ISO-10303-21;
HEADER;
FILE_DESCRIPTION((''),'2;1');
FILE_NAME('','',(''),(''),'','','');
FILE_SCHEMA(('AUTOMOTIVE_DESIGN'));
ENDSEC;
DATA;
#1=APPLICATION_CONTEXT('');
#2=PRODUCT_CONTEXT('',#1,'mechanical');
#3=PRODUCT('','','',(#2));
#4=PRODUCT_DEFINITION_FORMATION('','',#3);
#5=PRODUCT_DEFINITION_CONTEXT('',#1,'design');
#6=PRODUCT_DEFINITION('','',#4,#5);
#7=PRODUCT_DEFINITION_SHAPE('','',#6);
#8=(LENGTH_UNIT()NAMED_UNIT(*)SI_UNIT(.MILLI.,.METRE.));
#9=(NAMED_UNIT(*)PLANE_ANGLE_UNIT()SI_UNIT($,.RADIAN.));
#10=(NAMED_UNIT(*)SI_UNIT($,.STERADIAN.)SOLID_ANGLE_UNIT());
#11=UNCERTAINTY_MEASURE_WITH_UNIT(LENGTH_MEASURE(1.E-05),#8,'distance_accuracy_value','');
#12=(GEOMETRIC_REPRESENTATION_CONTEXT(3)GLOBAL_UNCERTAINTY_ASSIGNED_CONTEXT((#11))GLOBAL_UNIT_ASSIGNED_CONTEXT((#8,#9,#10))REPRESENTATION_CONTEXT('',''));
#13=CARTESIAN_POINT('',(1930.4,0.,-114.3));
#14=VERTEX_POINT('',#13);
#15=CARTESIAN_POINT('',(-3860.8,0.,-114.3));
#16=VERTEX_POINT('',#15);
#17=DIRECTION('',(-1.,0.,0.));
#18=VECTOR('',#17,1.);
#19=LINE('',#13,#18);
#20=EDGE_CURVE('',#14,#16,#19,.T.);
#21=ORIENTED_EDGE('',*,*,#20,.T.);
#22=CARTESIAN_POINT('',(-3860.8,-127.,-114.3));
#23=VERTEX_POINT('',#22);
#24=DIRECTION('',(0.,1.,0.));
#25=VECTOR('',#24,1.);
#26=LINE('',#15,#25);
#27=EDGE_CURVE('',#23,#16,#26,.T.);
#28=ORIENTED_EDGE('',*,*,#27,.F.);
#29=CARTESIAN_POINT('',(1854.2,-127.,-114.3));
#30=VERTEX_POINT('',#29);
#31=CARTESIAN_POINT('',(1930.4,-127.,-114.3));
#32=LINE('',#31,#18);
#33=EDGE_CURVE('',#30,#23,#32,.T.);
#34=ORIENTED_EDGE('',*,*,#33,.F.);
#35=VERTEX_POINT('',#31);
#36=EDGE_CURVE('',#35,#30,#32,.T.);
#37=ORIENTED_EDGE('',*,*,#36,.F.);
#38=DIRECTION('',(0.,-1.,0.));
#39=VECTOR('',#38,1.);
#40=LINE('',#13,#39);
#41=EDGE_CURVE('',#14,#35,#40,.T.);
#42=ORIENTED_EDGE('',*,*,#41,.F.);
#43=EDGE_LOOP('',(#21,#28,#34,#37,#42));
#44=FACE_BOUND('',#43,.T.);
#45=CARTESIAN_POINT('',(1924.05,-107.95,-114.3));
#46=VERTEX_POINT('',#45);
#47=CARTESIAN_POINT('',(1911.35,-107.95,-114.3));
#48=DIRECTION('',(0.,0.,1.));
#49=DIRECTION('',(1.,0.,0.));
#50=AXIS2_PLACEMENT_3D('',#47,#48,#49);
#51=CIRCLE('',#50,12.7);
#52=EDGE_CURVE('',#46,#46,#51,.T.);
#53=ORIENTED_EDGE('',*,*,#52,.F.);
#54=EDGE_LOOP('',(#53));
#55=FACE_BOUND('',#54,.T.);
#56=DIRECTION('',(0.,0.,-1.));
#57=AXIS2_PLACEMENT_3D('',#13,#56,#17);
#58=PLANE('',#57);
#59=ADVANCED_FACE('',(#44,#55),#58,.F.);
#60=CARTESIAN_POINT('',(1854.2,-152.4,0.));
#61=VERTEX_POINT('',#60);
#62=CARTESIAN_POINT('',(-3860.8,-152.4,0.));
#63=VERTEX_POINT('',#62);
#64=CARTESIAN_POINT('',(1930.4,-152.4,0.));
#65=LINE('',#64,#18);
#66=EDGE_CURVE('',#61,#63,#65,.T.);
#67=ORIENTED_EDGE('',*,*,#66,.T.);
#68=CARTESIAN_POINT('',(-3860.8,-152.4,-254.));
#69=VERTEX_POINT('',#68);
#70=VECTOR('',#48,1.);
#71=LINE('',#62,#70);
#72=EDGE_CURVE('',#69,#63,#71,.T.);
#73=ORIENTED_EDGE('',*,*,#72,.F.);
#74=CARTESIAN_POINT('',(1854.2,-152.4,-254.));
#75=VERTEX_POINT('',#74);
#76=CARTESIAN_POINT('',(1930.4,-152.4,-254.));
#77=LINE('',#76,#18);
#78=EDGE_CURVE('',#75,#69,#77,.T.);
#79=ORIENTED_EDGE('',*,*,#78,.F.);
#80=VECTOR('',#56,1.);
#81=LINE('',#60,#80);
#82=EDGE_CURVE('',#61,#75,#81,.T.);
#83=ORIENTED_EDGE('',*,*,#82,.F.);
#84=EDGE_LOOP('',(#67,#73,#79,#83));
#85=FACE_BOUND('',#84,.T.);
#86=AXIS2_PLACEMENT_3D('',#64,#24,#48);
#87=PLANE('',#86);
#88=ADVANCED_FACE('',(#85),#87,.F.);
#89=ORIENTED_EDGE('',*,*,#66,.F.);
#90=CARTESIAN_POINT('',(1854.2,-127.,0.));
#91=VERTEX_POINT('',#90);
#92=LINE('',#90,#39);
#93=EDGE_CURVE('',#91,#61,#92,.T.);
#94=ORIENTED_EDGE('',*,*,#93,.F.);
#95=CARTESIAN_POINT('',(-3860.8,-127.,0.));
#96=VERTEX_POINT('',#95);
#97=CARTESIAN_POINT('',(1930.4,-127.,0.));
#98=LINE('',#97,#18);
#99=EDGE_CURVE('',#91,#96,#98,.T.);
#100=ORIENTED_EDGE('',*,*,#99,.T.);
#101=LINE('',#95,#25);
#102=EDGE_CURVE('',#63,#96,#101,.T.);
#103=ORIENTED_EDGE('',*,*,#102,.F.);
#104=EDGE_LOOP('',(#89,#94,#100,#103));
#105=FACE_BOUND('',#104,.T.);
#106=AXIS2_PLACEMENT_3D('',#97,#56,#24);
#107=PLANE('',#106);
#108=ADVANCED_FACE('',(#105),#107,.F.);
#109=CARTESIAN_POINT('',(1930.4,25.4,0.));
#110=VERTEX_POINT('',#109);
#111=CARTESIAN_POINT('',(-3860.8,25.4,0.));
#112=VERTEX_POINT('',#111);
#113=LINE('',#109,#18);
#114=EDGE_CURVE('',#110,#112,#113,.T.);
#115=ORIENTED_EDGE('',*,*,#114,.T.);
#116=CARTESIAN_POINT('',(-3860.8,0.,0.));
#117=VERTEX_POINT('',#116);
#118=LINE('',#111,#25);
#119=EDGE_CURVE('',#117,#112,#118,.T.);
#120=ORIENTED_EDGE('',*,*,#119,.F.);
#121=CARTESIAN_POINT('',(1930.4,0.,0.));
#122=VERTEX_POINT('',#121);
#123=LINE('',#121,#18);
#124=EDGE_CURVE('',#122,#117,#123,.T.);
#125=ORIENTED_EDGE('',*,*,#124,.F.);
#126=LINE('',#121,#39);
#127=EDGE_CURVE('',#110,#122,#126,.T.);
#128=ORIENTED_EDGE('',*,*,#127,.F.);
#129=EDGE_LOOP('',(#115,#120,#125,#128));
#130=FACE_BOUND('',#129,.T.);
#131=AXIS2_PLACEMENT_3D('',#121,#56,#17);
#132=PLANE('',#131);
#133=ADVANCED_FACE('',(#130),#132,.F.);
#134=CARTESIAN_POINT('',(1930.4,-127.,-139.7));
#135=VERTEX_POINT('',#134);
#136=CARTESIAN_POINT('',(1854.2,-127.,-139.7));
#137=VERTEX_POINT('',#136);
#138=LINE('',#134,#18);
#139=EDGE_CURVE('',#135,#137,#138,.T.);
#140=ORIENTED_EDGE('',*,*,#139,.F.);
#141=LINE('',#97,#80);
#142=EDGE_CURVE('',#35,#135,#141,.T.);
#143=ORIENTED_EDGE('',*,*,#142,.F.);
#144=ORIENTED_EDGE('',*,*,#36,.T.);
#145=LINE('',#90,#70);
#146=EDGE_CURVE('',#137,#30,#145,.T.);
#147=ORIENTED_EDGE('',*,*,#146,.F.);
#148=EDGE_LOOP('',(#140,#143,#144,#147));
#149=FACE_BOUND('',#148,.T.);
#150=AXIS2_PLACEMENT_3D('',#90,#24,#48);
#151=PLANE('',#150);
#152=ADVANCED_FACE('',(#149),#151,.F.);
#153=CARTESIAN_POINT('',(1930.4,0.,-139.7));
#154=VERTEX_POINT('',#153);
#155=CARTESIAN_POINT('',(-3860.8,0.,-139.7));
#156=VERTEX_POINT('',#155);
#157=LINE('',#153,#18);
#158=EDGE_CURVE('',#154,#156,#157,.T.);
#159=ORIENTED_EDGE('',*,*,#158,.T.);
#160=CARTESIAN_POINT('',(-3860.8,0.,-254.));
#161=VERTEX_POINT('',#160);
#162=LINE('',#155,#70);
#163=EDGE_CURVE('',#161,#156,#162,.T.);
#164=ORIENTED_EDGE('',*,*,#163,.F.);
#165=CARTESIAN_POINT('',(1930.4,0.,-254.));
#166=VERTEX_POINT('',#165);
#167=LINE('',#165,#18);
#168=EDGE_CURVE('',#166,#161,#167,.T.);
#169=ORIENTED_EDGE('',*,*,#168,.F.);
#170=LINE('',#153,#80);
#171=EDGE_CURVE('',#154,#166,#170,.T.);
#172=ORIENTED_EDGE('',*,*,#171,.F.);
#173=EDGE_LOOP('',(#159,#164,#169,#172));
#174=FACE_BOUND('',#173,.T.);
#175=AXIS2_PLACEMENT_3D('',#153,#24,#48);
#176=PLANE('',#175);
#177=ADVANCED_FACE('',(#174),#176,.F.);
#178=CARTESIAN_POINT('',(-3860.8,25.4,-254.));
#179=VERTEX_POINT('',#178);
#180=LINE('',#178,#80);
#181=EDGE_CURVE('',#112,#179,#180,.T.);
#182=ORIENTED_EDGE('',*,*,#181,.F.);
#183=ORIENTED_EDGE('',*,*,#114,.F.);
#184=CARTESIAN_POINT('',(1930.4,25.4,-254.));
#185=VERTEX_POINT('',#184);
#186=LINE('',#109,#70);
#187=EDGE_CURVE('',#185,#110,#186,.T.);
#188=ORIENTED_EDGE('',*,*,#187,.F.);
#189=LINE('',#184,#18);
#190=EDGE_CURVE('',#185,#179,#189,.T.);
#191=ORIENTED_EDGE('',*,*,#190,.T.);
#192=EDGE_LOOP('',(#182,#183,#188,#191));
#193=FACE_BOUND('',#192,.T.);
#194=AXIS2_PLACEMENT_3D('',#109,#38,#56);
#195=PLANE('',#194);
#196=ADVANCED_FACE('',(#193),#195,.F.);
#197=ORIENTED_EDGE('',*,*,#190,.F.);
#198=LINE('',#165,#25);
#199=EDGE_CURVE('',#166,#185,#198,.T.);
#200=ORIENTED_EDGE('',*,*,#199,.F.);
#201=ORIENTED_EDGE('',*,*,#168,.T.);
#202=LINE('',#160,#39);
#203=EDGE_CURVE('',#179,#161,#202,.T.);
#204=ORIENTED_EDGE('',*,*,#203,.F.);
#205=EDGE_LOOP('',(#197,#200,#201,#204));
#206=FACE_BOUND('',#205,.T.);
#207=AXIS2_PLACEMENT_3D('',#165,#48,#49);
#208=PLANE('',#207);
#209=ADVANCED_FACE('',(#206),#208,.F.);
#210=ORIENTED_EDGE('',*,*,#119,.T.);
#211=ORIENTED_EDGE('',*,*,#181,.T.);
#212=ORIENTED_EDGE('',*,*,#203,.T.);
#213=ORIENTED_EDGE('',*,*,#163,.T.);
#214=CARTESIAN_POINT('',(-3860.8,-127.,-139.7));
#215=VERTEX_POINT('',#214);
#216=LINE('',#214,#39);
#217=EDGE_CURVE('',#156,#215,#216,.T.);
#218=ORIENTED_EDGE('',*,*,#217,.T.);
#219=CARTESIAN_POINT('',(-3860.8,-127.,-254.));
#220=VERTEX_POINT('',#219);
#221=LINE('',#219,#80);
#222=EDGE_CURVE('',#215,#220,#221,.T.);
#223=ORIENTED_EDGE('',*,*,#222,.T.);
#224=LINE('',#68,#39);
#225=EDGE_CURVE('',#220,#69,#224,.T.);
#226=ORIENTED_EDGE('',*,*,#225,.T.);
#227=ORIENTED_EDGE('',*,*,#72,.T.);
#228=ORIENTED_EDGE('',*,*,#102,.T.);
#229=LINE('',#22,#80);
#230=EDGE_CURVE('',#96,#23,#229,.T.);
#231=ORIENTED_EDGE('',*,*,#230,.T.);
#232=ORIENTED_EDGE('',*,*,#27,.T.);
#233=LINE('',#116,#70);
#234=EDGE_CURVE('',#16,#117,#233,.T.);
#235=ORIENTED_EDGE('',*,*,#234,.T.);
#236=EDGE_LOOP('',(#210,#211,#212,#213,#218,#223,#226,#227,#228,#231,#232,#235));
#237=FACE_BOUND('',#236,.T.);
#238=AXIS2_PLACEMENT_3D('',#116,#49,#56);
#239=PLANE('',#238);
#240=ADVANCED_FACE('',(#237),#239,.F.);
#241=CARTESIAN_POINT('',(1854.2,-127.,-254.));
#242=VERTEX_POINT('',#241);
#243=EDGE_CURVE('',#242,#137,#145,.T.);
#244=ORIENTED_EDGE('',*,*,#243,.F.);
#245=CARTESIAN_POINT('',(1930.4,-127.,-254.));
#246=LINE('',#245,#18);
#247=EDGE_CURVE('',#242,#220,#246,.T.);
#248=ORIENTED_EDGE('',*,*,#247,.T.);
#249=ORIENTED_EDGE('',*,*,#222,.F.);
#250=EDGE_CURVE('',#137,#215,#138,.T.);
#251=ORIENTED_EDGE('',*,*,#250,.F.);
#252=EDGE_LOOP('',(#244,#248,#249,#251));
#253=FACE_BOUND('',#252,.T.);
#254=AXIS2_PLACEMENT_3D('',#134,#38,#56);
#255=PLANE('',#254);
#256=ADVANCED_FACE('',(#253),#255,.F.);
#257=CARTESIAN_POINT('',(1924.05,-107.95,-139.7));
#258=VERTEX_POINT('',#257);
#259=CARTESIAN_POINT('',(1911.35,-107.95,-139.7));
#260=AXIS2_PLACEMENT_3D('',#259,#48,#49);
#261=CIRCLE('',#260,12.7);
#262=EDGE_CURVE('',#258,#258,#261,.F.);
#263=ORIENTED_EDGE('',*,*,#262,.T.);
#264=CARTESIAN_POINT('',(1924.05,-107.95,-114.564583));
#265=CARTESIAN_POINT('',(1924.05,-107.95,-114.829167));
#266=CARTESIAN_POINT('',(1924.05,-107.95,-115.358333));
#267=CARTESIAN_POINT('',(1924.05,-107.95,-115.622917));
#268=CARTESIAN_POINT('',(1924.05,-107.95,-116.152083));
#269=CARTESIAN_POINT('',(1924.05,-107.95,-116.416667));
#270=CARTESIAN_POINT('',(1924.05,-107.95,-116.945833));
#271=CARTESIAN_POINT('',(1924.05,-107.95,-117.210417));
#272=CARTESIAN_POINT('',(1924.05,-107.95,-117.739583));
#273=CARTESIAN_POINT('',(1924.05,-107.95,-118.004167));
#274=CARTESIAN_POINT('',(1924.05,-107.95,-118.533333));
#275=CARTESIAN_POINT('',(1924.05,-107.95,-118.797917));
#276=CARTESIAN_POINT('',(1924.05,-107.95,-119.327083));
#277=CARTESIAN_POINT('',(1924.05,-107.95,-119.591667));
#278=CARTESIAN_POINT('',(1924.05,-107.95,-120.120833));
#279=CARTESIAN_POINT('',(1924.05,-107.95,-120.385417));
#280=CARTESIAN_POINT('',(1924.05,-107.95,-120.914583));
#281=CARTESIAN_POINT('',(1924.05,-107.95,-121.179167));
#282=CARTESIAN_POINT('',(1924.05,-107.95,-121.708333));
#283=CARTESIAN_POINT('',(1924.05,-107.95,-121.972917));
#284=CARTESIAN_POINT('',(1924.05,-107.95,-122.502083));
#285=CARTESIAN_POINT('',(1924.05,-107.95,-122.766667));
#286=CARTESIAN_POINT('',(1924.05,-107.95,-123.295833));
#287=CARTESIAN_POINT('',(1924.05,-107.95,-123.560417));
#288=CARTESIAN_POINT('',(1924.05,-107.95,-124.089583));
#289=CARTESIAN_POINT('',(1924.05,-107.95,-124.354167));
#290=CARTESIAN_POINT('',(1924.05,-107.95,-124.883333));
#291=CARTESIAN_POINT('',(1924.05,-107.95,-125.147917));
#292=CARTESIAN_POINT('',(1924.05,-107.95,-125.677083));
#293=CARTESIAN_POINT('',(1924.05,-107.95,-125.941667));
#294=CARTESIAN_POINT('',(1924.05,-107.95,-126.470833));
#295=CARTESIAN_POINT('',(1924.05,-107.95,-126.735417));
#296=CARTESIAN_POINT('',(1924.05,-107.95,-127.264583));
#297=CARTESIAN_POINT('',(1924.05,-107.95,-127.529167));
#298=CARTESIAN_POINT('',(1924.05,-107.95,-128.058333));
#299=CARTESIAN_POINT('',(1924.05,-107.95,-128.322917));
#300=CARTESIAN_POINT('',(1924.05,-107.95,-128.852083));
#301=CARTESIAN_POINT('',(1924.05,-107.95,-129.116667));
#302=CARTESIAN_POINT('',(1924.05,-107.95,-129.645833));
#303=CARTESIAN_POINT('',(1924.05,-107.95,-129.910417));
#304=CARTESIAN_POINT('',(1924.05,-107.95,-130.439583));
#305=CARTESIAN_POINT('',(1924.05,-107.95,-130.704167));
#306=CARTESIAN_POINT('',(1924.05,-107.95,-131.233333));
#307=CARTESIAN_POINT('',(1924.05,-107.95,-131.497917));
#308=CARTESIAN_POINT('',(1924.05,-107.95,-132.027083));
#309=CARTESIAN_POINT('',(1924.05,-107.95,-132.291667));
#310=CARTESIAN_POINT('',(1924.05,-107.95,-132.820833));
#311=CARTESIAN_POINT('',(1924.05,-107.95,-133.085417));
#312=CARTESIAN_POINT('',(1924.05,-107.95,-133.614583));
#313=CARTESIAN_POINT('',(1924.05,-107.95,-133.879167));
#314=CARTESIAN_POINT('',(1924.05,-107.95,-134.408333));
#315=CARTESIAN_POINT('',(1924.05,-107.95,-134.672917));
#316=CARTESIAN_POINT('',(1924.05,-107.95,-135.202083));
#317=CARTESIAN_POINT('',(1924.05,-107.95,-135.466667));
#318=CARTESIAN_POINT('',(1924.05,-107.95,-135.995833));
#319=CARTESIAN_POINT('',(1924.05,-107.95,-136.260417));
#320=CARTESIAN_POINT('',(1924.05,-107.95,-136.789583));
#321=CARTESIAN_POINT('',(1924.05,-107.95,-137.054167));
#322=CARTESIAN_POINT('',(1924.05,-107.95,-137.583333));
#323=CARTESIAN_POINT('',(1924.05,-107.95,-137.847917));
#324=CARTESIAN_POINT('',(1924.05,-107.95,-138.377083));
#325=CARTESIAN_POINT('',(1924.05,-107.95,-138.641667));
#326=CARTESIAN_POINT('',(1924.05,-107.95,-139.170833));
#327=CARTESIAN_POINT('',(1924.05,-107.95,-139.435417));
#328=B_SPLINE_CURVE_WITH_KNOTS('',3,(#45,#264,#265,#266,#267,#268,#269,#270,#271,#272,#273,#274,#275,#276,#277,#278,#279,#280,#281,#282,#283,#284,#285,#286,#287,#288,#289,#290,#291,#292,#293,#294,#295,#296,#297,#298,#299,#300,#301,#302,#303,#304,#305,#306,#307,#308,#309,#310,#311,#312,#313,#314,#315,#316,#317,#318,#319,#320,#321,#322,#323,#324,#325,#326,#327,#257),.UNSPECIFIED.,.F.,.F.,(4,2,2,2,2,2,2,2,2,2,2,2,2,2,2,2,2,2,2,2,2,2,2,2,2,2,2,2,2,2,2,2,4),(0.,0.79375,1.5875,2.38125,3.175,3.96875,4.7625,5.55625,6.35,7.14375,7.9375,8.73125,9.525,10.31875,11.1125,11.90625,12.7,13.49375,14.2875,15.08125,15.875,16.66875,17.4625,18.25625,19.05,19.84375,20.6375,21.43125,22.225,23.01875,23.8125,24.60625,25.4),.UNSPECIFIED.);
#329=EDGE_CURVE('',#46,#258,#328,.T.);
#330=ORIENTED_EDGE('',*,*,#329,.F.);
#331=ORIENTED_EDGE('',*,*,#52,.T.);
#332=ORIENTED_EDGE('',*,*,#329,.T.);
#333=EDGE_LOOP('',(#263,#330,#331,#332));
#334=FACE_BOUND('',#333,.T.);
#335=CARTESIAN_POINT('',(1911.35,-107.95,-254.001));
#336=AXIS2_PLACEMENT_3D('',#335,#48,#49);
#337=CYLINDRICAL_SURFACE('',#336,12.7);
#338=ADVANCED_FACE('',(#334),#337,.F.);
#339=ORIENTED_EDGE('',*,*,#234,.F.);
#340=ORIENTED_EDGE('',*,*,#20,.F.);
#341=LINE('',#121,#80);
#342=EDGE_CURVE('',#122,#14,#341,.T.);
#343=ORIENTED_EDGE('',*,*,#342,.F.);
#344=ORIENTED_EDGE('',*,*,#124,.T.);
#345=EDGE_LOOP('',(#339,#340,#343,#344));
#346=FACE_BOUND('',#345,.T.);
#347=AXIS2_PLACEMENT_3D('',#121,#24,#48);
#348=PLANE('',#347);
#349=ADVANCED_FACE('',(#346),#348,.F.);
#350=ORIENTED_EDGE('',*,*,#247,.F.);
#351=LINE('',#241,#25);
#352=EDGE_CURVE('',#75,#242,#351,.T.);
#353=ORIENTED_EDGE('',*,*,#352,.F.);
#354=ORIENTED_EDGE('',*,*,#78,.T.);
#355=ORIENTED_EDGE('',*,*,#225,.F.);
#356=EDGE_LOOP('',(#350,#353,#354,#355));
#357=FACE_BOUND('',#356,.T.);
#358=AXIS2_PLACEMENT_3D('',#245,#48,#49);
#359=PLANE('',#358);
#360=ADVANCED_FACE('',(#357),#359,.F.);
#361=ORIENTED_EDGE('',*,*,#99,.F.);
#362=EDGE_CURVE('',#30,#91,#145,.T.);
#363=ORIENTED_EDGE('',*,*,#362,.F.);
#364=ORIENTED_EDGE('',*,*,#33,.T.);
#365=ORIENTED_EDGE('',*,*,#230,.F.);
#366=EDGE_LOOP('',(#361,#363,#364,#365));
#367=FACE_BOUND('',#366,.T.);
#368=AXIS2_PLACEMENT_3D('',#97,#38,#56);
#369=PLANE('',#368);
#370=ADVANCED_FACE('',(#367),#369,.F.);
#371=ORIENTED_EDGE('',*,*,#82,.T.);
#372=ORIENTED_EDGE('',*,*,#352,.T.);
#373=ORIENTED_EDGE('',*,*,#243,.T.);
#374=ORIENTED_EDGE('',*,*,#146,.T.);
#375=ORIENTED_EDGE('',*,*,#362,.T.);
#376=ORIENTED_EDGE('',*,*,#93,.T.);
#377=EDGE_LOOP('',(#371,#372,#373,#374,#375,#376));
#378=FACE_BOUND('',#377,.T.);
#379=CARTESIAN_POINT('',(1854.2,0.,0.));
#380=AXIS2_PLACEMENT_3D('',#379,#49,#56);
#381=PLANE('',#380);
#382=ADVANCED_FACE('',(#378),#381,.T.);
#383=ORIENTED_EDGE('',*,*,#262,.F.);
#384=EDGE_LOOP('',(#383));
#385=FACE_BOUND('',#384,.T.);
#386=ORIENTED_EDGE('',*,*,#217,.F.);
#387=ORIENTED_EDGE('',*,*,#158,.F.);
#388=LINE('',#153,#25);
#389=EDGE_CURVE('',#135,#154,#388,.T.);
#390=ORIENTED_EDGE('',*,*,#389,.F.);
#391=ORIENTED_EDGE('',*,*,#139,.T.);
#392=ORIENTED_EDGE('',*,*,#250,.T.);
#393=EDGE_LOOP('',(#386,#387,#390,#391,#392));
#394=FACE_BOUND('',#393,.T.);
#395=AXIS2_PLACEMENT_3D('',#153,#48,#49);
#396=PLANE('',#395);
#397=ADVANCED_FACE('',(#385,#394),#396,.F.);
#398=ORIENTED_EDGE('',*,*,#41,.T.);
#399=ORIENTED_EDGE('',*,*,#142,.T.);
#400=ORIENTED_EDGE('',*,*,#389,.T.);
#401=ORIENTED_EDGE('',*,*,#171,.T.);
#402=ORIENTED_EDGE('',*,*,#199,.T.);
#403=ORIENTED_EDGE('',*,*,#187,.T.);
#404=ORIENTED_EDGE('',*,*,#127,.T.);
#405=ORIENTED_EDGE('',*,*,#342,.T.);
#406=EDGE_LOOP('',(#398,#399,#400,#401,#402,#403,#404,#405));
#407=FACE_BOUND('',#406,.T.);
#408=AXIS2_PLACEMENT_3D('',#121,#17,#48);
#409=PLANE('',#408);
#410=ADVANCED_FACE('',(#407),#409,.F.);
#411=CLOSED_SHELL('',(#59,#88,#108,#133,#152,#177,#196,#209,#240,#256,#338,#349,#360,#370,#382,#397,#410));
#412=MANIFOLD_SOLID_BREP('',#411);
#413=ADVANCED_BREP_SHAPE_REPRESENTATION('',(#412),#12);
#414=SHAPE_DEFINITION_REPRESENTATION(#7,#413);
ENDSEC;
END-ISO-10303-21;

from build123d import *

# Parameters (mm, degrees)
BOSS_EXTRUDE1_DEPTH = 1930.4
CUT_EXTRUDE1_REACH  = 1943.439
SKETCH2_R           = 12.7
SKETCH3_W           = 254
SKETCH3_H           = 25.4
CUT_EXTRUDE2_DEPTH  = 76.2
BOSS_EXTRUDE2_DEPTH = 3860.8


with BuildPart() as part:
    # Sketch1 → Boss-Extrude1 (new body)
    with BuildSketch(Plane(origin=(0, 0, 0), x_dir=(0, 0, -1), z_dir=(1, 0, 0))):
        Polygon((139.7, 0), (254, 0), (254, 25.4), (0, 25.4), (0, 0), (114.3, 0), (114.3, -127), (0, -127), (0, -152.4), (254, -152.4), (254, -127), (139.7, -127), align=None)
    extrude(amount=BOSS_EXTRUDE1_DEPTH)

    # Sketch2 → Cut-Extrude1 (cut, up to next)
    with BuildSketch(Plane.XY.offset(-114.3), mode=Mode.PRIVATE) as cut_extrude1_sk1:
        with Locations((1911.35, -107.95)):
            Circle(SKETCH2_R)
    cut_extrude1_tool1 = extrude(cut_extrude1_sk1.sketch, amount=-CUT_EXTRUDE1_REACH, mode=Mode.PRIVATE) & part.part
    add(cut_extrude1_tool1.solids().sort_by_distance((1911.35, -107.95, -114.3))[0], mode=Mode.SUBTRACT)

    # Sketch3 → Cut-Extrude2 (cut)
    with BuildSketch(Plane(origin=(1930.4, 0, 0), x_dir=(0, 0, -1), z_dir=(1, 0, 0))):
        with Locations((127, -139.7)):
            Rectangle(SKETCH3_W, SKETCH3_H)
    extrude(amount=-CUT_EXTRUDE2_DEPTH, mode=Mode.SUBTRACT)

    # Sketch5 → Boss-Extrude2 (add)
    with BuildSketch(Plane.ZY):
        Polygon((-254, 25.4), (0, 25.4), (0, 0), (-114.3, 0), (-114.3, -127), (0, -127), (0, -152.4), (-254, -152.4), (-254, -127), (-139.7, -127), (-139.7, 0), (-254, 0), align=None)
    extrude(amount=BOSS_EXTRUDE2_DEPTH)


solid = part.part
